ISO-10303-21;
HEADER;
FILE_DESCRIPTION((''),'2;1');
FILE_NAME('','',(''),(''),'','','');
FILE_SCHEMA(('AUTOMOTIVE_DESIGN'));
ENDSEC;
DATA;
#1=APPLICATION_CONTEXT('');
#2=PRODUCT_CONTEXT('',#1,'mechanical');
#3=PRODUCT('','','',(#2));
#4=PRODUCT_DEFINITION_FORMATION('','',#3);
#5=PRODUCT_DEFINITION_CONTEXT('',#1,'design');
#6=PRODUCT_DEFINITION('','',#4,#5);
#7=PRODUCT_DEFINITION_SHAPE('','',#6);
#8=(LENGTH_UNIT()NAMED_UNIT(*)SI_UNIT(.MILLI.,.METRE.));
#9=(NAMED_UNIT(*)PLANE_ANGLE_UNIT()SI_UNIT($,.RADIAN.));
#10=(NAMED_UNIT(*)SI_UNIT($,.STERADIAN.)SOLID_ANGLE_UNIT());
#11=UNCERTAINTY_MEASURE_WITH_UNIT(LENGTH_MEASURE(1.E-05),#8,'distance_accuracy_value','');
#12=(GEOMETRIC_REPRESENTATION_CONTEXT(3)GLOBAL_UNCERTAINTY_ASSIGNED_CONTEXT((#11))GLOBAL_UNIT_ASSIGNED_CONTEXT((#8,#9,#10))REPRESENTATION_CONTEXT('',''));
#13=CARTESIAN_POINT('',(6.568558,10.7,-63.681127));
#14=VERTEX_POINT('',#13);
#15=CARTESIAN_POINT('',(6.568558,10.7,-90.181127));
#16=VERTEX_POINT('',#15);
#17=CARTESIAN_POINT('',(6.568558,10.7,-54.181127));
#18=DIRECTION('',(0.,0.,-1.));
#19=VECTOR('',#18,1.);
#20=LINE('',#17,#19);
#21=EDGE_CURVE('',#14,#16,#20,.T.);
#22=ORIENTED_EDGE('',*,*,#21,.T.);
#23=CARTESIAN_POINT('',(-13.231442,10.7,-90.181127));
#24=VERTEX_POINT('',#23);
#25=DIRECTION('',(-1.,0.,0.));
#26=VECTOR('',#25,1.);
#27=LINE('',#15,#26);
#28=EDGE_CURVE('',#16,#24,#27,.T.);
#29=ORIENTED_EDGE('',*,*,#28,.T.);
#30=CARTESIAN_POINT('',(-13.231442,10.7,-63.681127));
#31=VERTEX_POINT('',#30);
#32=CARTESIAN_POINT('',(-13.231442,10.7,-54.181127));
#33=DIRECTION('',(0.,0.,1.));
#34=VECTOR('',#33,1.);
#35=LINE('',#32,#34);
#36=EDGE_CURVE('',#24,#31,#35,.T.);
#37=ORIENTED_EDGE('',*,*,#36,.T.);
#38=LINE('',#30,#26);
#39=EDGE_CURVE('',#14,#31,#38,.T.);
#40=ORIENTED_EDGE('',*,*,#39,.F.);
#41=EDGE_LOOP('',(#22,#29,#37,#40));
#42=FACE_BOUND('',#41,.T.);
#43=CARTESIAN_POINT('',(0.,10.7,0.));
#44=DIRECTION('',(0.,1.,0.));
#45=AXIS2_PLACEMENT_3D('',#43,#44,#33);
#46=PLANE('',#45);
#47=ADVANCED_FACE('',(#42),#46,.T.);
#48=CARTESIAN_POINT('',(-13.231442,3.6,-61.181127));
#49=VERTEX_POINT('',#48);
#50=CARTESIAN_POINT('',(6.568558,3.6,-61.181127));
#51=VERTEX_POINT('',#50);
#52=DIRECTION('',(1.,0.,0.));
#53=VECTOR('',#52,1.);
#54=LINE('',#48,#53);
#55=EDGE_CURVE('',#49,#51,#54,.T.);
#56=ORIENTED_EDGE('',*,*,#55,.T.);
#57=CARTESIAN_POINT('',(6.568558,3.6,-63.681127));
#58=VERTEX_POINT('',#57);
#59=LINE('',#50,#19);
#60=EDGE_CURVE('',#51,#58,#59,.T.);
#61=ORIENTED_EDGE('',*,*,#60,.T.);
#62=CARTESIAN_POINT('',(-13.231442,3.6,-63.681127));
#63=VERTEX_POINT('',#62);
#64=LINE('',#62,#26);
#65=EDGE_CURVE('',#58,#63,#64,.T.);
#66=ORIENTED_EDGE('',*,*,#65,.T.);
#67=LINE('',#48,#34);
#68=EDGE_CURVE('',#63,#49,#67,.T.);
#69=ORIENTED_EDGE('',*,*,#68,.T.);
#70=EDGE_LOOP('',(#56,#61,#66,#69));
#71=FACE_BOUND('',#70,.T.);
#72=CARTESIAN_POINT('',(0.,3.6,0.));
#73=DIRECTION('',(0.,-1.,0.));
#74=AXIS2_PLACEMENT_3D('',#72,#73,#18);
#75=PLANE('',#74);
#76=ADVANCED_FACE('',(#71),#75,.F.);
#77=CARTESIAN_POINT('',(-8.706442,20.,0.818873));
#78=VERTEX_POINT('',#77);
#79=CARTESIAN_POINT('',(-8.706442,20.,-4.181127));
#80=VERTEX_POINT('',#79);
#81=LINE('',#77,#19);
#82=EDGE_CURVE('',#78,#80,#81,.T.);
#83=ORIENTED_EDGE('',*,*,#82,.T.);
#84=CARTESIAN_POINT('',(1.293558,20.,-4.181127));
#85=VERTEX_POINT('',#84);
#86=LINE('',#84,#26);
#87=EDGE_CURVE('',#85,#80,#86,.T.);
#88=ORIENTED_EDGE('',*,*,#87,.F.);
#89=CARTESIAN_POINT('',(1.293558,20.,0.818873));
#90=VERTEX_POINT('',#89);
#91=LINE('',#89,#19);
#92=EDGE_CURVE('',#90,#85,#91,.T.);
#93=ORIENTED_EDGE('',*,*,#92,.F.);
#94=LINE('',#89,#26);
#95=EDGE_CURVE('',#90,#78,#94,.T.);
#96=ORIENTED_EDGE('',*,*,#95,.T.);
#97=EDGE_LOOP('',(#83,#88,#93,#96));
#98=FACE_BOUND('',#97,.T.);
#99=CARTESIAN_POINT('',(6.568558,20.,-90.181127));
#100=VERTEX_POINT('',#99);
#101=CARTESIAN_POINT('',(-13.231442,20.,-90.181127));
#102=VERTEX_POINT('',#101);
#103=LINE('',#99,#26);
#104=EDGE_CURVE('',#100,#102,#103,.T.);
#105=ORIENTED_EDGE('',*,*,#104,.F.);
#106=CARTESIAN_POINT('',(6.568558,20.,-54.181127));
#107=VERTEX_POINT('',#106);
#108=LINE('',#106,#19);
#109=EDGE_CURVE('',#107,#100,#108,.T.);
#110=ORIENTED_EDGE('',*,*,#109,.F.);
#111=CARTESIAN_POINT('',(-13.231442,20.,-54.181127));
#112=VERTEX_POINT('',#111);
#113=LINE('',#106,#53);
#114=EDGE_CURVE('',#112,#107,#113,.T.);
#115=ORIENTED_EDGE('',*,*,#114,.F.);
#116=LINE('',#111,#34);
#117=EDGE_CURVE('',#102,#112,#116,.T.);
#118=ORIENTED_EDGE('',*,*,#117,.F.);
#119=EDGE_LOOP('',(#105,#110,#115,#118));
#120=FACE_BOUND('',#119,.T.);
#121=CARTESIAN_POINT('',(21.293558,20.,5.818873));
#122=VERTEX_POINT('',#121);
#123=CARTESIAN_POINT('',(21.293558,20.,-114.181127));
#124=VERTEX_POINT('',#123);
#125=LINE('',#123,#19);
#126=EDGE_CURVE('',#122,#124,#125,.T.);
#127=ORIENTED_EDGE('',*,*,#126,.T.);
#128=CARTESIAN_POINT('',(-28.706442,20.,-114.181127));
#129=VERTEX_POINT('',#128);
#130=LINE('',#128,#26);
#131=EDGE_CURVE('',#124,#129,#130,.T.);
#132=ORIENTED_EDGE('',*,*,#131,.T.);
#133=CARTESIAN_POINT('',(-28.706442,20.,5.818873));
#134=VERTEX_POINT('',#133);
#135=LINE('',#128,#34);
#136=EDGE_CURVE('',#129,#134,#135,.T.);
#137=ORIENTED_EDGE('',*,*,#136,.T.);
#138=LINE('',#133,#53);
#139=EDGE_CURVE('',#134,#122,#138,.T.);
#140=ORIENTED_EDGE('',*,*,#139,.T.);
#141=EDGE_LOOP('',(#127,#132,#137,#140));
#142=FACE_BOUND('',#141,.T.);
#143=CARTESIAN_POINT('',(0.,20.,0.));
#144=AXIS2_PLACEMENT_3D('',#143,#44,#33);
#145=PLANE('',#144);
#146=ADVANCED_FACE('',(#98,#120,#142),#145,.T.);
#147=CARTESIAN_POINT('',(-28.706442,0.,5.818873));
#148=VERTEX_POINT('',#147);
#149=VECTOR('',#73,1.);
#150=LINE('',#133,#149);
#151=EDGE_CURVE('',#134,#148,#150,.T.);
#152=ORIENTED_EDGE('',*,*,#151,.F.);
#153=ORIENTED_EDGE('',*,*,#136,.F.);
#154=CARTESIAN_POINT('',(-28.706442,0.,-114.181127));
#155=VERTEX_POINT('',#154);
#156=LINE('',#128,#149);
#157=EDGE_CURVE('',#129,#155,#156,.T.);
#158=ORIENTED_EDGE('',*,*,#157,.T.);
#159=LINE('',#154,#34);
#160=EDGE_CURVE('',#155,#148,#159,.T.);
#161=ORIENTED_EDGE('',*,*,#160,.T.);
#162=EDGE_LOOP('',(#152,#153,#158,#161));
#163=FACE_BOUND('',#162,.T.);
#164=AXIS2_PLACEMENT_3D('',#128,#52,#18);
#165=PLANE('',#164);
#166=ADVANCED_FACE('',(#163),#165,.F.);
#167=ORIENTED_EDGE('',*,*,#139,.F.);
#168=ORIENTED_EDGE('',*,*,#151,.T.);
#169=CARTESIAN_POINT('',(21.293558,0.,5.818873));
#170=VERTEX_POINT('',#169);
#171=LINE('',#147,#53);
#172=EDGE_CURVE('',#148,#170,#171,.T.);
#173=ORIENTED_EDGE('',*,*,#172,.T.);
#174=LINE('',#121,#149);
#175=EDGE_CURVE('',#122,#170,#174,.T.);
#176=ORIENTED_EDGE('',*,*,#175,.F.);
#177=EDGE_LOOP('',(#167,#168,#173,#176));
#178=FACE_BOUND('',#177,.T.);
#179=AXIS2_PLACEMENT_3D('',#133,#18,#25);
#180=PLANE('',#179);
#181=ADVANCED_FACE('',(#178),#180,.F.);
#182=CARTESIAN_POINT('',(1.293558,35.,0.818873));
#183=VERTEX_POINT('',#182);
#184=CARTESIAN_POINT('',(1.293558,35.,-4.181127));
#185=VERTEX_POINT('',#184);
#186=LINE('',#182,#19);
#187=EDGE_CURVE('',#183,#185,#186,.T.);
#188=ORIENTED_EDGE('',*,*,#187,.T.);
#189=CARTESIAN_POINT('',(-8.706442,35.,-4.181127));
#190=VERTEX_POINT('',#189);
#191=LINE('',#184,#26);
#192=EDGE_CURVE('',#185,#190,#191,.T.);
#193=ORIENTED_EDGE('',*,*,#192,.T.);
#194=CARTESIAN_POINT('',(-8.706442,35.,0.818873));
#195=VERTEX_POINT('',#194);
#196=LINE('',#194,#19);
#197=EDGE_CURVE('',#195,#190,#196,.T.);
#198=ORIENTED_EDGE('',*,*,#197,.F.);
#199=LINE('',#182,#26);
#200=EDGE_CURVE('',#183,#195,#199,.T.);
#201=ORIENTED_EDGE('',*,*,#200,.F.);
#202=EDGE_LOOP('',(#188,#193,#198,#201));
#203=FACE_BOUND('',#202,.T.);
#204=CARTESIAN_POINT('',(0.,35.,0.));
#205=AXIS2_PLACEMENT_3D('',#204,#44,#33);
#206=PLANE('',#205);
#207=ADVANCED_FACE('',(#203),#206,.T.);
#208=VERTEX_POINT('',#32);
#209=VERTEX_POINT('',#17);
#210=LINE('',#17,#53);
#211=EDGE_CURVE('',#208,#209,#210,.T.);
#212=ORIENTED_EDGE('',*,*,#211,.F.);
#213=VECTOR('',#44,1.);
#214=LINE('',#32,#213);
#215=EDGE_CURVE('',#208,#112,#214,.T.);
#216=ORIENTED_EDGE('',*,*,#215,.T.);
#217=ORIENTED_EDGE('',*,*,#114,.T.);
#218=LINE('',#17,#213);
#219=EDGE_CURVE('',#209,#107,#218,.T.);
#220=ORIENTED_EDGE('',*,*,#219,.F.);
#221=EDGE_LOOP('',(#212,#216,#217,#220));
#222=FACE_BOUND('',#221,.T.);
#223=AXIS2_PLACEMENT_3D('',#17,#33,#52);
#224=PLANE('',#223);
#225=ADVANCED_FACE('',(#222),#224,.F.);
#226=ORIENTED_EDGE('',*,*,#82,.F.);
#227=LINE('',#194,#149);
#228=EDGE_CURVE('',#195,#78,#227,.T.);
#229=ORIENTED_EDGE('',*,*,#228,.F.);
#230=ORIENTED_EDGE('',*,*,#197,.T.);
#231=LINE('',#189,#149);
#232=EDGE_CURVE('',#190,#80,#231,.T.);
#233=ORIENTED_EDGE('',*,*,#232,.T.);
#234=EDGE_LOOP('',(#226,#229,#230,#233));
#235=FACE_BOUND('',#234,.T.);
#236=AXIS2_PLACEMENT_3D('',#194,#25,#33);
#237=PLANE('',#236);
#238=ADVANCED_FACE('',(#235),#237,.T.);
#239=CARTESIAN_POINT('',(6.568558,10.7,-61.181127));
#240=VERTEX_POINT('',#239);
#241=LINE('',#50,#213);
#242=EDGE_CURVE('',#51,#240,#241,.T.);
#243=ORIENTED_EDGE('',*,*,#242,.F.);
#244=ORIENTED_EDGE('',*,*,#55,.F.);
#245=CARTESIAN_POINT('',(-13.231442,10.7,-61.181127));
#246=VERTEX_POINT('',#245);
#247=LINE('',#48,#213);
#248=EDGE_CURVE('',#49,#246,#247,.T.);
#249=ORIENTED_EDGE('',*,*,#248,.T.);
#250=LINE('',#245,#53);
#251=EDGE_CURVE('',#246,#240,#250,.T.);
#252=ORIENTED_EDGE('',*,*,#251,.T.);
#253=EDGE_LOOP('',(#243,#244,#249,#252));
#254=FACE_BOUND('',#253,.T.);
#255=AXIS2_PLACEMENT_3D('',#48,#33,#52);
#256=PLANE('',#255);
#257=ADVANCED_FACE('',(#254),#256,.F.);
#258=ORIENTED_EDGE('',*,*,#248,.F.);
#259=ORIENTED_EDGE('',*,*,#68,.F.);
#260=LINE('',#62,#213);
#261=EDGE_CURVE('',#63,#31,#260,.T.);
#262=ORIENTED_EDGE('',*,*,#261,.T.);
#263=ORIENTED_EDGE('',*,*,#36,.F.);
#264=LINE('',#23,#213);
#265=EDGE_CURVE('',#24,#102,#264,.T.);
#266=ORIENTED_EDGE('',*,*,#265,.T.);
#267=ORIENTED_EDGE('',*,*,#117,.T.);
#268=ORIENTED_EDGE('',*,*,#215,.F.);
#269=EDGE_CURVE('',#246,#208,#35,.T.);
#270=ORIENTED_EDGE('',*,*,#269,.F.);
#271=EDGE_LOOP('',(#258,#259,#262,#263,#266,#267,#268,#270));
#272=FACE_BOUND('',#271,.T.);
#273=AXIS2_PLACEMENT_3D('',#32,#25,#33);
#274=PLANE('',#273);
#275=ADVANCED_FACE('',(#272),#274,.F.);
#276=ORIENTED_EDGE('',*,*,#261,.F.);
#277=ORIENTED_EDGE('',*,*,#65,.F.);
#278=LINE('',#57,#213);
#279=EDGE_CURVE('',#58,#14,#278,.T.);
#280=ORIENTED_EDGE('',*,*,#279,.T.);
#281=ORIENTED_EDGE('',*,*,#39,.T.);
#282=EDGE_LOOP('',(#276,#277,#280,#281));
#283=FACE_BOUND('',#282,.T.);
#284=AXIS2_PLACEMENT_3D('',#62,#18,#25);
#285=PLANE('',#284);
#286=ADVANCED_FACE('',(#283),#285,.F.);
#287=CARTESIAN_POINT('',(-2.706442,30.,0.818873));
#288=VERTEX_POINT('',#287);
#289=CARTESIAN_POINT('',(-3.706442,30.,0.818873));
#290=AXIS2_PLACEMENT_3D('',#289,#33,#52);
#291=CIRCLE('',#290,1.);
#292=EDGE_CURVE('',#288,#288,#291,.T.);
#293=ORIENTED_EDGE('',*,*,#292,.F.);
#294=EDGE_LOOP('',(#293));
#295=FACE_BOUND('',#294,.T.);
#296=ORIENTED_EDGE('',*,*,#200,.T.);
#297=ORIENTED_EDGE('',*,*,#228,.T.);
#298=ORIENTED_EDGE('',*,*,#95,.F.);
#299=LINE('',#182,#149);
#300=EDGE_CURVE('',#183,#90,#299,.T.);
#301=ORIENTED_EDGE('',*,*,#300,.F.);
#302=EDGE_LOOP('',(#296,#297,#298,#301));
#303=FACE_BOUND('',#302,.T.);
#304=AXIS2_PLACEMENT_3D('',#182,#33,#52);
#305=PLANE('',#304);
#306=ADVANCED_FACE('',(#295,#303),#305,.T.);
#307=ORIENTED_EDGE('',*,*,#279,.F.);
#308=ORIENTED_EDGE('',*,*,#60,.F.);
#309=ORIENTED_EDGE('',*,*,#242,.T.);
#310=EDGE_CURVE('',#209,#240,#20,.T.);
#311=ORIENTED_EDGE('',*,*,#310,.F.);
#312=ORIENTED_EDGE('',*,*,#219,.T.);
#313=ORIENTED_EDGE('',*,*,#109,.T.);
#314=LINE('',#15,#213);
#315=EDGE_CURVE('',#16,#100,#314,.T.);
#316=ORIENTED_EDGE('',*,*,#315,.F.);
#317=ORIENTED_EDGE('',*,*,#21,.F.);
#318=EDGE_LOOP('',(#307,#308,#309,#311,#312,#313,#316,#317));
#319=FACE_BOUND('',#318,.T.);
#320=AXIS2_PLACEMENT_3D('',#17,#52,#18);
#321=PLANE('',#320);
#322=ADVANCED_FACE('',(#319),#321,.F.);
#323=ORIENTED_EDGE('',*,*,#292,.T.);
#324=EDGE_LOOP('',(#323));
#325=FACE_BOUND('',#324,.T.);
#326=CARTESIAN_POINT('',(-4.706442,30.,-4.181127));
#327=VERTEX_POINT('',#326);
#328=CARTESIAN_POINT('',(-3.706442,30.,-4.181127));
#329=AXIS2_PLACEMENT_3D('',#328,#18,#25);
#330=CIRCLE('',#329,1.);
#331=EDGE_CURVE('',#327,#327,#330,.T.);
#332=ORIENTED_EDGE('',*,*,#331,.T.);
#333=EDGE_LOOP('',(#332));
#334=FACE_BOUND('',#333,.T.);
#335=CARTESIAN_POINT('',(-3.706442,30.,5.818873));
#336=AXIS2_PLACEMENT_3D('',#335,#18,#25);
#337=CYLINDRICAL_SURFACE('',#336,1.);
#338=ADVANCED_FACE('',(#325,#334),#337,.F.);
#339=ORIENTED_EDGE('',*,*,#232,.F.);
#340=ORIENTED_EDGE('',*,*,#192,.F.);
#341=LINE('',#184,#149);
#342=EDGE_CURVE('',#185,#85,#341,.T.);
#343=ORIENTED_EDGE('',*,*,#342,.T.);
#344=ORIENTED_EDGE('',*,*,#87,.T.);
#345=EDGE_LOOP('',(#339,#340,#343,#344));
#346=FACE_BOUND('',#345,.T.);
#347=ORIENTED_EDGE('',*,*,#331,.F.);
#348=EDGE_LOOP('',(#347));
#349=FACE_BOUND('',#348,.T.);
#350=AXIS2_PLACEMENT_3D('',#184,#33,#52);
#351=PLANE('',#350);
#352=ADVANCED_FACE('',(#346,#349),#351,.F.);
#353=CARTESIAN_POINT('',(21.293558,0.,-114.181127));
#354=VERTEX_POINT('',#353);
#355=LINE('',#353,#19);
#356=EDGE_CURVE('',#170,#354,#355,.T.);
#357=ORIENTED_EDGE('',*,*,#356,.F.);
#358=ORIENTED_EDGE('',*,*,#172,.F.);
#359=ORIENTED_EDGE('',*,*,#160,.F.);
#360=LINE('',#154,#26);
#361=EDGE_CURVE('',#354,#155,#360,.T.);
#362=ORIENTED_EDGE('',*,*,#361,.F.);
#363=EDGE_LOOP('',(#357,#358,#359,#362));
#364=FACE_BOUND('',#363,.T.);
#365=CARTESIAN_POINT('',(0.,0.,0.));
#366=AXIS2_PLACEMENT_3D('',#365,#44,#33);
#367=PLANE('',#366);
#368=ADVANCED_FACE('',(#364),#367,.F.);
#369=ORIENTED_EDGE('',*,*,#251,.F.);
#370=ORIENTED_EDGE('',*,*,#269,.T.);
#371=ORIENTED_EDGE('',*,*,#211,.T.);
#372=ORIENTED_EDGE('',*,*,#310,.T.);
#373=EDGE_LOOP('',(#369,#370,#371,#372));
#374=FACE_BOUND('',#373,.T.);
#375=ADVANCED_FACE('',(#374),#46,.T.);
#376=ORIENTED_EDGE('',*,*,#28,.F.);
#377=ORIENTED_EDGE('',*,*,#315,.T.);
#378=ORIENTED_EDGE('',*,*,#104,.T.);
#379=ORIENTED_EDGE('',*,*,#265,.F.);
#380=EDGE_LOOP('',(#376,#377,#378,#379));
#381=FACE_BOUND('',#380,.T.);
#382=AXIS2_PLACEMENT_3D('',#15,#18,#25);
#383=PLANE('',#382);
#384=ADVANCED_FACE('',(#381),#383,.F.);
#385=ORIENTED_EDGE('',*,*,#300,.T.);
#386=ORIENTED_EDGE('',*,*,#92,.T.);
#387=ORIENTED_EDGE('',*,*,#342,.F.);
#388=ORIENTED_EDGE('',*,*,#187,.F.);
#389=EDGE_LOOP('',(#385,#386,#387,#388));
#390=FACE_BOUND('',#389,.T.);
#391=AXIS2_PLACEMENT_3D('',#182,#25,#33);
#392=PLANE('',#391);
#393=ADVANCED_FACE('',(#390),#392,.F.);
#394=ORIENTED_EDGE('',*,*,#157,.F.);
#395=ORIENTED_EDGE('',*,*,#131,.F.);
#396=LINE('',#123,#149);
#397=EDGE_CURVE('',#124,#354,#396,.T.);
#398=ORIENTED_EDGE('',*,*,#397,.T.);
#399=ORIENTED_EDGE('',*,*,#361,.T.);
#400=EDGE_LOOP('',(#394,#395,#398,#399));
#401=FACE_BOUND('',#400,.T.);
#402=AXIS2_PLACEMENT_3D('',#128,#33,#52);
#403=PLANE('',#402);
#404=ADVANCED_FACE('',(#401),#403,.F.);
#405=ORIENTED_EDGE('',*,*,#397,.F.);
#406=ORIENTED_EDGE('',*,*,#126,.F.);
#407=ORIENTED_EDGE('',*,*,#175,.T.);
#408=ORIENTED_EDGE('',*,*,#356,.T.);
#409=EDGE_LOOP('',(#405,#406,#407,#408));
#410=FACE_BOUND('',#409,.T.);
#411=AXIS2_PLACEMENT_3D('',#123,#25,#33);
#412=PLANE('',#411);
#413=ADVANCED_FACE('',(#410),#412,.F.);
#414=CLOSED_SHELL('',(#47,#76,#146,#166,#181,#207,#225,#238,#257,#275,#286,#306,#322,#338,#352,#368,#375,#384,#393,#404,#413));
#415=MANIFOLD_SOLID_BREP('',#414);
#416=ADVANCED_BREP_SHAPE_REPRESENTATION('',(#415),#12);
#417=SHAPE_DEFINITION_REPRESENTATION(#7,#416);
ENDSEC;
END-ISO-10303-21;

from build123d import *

# Parameters (mm, degrees)
SKETCH1_W           = 50
SKETCH1_H           = 120
BOSS_EXTRUDE1_DEPTH = 20
SKETCH11_W          = 10
SKETCH11_H          = 5
BOSS_EXTRUDE5_DEPTH = 15
SKETCH13_R          = 1
CUT_EXTRUDE3_DEPTH  = 10
SKETCH14_W          = 19.8
SKETCH14_H          = 36
CUT_EXTRUDE4_DEPTH  = 9.3
SKETCH15_W          = 19.8
SKETCH15_H          = 2.5
CUT_EXTRUDE5_DEPTH  = 7.1


with BuildPart() as part:
    # Sketch1 → Boss-Extrude1 (new body)
    with BuildSketch(Plane(origin=(0, 0, 0), x_dir=(1, 0, 0), z_dir=(0, 1, 0))):
        with Locations((-3.706441645, 54.181126694)):
            Rectangle(SKETCH1_W, SKETCH1_H)
    extrude(amount=BOSS_EXTRUDE1_DEPTH)

    # Sketch11 → Boss-Extrude5 (add)
    with BuildSketch(Plane(origin=(0, 20, 0), x_dir=(1, 0, 0), z_dir=(0, 1, 0))):
        with Locations((-3.706441645, 1.681126694)):
            Rectangle(SKETCH11_W, SKETCH11_H)
    extrude(amount=BOSS_EXTRUDE5_DEPTH)

    # Sketch13 → Cut-Extrude3 (cut)
    with BuildSketch(Plane(origin=(0, 0, -4.181126694), x_dir=(-1, 0, 0), z_dir=(0, 0, -1))):
        with Locations((3.706441645, 30)):
            Circle(SKETCH13_R)
    extrude(amount=-CUT_EXTRUDE3_DEPTH, mode=Mode.SUBTRACT)

    # Sketch14 → Cut-Extrude4 (cut)
    with BuildSketch(Plane(origin=(0, 20, 0), x_dir=(1, 0, 0), z_dir=(0, 1, 0))):
        with Locations((-3.331441645, 72.181126694)):
            Rectangle(SKETCH14_W, SKETCH14_H)
    extrude(amount=-CUT_EXTRUDE4_DEPTH, mode=Mode.SUBTRACT)

    # Sketch15 → Cut-Extrude5 (cut)
    with BuildSketch(Plane(origin=(0, 10.7, 0), x_dir=(1, 0, 0), z_dir=(0, 1, 0))):
        with Locations((-3.331441645, 62.431126694)):
            Rectangle(SKETCH15_W, SKETCH15_H)
    extrude(amount=-CUT_EXTRUDE5_DEPTH, mode=Mode.SUBTRACT)


solid = part.part
